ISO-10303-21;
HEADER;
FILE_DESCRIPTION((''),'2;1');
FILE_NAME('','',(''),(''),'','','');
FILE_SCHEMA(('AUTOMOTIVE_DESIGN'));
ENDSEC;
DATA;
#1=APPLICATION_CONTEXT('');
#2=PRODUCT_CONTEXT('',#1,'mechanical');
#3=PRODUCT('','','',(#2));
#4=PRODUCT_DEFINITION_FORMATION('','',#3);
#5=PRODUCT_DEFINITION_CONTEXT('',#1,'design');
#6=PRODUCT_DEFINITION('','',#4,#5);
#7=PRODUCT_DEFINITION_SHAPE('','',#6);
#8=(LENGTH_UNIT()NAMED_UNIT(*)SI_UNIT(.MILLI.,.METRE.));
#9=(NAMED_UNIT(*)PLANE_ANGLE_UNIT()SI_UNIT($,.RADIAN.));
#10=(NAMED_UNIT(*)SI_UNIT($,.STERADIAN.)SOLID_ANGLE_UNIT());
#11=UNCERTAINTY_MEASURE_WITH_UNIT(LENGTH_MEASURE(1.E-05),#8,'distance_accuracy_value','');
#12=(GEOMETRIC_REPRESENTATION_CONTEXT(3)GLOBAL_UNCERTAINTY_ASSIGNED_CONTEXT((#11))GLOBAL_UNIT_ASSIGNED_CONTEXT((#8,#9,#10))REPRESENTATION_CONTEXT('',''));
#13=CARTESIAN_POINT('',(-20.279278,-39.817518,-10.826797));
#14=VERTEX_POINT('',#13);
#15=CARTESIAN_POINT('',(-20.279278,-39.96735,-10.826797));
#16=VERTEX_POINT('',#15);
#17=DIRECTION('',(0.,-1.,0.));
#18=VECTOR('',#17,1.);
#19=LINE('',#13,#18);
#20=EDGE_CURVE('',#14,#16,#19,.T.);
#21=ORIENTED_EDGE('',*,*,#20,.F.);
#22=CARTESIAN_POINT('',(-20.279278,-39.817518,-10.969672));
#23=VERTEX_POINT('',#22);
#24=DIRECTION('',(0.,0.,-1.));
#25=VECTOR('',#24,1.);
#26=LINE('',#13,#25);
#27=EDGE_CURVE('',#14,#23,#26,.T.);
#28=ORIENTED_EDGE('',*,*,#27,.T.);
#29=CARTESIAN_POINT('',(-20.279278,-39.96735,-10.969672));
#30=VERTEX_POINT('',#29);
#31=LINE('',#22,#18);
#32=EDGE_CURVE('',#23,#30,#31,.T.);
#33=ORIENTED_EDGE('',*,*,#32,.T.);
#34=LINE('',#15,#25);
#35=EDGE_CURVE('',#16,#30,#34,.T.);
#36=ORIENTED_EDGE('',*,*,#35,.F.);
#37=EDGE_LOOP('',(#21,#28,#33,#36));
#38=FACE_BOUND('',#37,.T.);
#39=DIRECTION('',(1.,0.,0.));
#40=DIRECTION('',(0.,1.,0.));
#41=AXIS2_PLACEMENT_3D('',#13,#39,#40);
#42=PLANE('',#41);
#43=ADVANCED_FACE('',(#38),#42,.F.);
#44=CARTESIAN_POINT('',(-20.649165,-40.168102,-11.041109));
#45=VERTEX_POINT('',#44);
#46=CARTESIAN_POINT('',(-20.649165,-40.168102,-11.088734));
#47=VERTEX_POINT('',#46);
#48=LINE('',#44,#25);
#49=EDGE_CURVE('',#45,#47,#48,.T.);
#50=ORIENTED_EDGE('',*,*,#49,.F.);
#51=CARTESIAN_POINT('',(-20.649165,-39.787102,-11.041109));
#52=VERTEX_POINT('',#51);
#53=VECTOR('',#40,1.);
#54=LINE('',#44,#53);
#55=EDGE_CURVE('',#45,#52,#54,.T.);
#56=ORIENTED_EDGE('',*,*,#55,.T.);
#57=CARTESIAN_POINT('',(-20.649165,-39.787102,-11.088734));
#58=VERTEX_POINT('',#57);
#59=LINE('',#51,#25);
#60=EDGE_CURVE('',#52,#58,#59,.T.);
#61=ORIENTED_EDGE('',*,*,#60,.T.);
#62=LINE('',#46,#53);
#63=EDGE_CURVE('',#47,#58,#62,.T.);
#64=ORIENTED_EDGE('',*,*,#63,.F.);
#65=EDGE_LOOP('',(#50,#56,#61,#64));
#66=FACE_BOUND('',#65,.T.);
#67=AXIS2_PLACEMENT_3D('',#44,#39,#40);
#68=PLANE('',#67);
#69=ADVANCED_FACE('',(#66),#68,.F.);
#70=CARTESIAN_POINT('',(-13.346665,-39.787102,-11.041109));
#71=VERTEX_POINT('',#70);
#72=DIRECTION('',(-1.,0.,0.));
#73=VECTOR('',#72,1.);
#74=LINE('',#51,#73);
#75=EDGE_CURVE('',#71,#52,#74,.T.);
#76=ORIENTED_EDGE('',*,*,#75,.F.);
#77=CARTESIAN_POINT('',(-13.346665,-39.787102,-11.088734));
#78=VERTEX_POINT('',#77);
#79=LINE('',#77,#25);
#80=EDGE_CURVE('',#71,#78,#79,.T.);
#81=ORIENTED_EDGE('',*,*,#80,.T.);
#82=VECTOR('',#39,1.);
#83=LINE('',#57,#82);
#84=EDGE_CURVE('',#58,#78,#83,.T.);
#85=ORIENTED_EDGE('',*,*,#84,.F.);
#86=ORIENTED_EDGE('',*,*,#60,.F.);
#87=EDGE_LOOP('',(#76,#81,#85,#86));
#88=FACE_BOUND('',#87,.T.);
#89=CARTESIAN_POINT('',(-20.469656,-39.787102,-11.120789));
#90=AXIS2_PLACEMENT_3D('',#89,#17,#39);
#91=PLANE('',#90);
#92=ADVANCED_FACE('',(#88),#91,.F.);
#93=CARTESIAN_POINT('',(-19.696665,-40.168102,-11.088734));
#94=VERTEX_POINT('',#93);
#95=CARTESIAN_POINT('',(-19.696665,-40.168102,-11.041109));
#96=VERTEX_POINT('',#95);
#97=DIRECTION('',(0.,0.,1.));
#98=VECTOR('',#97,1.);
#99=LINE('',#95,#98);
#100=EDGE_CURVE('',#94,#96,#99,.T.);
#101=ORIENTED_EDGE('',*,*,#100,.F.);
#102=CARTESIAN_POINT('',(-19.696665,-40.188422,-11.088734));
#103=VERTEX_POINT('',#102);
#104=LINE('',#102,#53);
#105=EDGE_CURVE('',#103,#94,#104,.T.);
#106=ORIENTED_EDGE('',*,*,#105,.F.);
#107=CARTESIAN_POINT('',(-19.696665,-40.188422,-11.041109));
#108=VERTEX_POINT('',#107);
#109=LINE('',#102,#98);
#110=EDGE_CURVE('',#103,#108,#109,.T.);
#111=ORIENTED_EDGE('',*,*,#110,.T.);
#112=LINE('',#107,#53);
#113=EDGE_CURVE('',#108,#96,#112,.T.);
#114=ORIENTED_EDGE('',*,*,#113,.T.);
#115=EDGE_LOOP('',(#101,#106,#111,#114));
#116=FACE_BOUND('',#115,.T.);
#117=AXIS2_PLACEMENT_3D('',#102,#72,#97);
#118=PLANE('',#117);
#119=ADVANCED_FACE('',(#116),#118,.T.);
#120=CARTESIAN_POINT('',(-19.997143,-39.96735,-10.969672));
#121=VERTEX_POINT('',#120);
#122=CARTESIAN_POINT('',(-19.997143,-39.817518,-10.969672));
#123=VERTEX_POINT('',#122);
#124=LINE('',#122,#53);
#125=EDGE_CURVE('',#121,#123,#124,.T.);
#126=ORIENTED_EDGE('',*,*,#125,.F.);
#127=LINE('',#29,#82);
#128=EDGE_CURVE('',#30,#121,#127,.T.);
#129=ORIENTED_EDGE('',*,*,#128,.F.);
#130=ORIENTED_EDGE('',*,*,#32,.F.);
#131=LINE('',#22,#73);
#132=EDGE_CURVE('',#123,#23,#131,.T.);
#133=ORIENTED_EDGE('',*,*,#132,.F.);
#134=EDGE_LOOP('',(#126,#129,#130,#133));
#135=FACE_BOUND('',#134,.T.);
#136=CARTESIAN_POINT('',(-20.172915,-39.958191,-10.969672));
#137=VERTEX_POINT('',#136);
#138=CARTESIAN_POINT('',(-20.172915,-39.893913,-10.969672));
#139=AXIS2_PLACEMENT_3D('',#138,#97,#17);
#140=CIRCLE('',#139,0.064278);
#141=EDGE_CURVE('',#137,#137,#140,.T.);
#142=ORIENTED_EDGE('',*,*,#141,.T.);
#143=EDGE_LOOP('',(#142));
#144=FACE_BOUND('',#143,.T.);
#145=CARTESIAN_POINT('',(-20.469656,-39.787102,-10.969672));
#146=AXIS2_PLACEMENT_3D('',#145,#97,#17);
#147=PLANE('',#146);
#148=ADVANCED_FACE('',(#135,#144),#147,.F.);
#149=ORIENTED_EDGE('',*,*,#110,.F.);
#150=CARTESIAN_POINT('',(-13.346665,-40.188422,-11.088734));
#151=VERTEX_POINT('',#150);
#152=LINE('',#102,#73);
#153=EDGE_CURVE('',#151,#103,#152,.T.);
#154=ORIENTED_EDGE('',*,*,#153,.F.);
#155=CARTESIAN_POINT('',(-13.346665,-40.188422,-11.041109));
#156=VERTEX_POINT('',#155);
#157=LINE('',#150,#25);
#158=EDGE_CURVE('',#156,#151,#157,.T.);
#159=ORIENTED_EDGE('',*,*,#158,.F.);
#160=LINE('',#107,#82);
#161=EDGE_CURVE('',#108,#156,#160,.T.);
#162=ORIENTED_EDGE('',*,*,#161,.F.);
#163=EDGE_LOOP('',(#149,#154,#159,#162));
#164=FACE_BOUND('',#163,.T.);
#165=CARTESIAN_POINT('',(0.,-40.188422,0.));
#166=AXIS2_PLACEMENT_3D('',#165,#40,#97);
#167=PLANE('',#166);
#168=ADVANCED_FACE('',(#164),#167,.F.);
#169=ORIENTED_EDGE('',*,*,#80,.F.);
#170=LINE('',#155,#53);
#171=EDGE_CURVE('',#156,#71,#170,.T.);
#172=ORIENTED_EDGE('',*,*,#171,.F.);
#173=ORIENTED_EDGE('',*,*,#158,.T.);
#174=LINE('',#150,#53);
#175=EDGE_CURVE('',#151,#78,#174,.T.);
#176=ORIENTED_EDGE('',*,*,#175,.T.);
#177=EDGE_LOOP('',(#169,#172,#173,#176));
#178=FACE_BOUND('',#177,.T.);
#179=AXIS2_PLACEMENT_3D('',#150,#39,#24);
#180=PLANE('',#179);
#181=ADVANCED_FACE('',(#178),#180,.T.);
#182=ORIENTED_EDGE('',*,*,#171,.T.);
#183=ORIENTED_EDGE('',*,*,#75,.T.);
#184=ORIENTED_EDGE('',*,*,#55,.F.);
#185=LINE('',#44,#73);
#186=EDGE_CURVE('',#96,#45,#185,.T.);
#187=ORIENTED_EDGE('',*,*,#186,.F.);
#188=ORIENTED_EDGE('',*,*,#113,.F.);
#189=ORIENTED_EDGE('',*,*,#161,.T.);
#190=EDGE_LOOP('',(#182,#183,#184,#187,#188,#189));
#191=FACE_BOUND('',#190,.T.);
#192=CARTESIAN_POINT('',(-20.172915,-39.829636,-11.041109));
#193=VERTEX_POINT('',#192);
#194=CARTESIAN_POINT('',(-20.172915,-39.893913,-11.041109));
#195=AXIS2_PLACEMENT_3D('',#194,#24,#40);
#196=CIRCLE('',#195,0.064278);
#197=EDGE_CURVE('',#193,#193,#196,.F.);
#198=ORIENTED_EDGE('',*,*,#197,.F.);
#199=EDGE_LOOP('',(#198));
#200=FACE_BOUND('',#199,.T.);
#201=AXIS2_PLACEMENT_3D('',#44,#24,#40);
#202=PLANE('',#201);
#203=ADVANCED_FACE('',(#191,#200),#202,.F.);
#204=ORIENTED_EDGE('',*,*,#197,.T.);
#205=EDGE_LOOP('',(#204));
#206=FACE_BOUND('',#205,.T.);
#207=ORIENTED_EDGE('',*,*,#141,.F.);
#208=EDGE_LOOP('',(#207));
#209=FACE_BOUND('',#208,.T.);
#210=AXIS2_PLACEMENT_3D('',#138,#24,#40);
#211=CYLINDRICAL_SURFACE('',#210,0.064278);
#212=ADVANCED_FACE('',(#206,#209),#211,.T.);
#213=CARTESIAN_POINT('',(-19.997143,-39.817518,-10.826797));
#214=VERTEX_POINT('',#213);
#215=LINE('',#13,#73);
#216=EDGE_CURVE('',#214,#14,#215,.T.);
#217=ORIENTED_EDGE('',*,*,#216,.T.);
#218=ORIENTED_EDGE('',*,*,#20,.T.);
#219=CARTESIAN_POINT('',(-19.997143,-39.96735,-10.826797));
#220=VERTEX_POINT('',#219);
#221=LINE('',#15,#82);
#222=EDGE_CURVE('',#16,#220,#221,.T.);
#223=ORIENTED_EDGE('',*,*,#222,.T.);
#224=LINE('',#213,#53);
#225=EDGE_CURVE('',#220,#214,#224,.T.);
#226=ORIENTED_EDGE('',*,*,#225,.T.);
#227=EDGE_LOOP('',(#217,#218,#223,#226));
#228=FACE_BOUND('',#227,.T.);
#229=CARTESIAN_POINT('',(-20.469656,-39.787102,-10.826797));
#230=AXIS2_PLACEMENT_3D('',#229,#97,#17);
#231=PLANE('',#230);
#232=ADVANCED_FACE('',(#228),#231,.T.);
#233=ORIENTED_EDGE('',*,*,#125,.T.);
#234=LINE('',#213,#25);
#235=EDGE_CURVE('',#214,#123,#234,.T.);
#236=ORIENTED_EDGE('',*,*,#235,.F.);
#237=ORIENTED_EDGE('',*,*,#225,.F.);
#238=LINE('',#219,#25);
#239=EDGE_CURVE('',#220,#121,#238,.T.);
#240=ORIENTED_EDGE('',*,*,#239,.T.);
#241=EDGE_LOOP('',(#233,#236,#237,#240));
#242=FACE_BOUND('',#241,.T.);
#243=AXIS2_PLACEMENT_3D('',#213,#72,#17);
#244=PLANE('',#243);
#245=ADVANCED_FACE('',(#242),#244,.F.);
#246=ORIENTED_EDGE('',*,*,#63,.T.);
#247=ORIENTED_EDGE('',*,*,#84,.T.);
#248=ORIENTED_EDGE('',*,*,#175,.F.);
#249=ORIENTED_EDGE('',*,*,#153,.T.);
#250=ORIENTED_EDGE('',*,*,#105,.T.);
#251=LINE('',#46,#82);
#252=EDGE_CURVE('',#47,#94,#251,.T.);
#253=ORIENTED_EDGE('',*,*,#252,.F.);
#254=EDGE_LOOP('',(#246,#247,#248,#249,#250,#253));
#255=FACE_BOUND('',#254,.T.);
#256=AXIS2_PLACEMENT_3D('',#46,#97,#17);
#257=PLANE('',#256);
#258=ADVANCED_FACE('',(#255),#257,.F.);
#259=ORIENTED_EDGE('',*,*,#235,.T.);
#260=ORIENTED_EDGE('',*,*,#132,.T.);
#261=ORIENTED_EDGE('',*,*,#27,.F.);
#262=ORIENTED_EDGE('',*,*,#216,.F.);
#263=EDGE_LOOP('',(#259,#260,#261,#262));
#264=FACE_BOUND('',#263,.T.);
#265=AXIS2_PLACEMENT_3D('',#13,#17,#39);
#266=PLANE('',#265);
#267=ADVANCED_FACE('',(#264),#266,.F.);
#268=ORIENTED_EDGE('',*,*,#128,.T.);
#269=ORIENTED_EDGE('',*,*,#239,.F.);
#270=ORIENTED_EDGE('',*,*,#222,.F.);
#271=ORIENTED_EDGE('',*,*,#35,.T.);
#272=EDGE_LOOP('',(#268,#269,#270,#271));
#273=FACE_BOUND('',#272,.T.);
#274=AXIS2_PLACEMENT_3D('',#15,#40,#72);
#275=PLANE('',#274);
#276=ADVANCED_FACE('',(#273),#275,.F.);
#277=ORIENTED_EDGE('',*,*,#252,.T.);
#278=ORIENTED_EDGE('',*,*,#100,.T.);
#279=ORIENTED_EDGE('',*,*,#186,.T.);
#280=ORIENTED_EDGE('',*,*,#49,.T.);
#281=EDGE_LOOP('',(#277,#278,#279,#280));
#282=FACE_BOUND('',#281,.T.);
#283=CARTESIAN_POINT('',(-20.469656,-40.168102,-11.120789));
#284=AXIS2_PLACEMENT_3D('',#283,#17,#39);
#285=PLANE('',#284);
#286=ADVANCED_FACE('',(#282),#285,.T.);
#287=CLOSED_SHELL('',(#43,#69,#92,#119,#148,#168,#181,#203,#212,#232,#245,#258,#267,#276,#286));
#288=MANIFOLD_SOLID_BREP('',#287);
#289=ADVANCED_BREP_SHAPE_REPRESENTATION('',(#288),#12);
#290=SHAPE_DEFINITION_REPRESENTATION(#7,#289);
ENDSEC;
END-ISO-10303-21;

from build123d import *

# Parameters (mm, degrees)
SKETCH2_W           = 254
SKETCH2_H           = 12.7
BOSS_EXTRUDE1_DEPTH = 101.6
SKETCH3_R           = 17.140791438
BOSS_EXTRUDE2_DEPTH = 19.05
SKETCH4_W           = 75.235944222
SKETCH4_H           = 39.955088207
BOSS_EXTRUDE3_DEPTH = 38.1
SCALE2_SCALE        = 0.00375
ROTATE_ANGLE        = 90
SKETCH6_W           = 6.35
SKETCH6_H           = 0.047625
BOSS_EXTRUDE6_DEPTH = 0.40132


with BuildPart() as part:
    # Sketch2 → Boss-Extrude1 (new body)
    with BuildSketch(Plane.XY):
        with Locations((79.130769231, 14.898076923)):
            Rectangle(SKETCH2_W, SKETCH2_H)
    extrude(amount=BOSS_EXTRUDE1_DEPTH)

    # Sketch3 → Boss-Extrude2 (add)
    with BuildSketch(Plane(origin=(0, 21.248076923, 0), x_dir=(1, 0, 0), z_dir=(0, 1, 0))):
        with Locations((79.130769231, -28.483063876)):
            Circle(SKETCH3_R)
    extrude(amount=BOSS_EXTRUDE2_DEPTH)

    # Sketch4 → Boss-Extrude3 (add)
    with BuildSketch(Plane(origin=(0, 40.298076923, 0), x_dir=(1, 0, 0), z_dir=(0, 1, 0))):
        with Locations((88.38546847, -28.088530296)):
            Rectangle(SKETCH4_W, SKETCH4_H)
    extrude(amount=BOSS_EXTRUDE3_DEPTH)


with BuildPart() as part_1:
    # Scale2: scaled about (81.435728249, 26.575729378, 44.290186425)
    add(part.part.scale(SCALE2_SCALE).moved(Location((81.130344268, 26.476070393, 44.124098226))))


with BuildPart() as part_2:
    # rotate: moved
    add(part_1.part.rotate(Axis((0, 33.666927966, 26.550068274), (1, 0, 0)), ROTATE_ANGLE))


with BuildPart() as part_3:
    # Move Body 4 x: moved
    add(part_2.part.moved(Location((-101.6, 0, 0))))


with BuildPart() as part_4:
    # Move Body 2 y: moved
    add(part_3.part.moved(Location((0, -55.88, 0))))


with BuildPart() as part_5:
    # Move Body 2.1z: moved
    add(part_4.part.moved(Location((0, 0, -30.48))))

    # Sketch6 → Boss-Extrude6 (add)
    with BuildSketch(Plane(origin=(0, -39.787101985, 0), x_dir=(1, 0, 0), z_dir=(0, 1, 0))):
        with Locations((-16.521665348, 11.064921511)):
            Rectangle(SKETCH6_W, SKETCH6_H)
    extrude(amount=-BOSS_EXTRUDE6_DEPTH)


solid = part_5.part
